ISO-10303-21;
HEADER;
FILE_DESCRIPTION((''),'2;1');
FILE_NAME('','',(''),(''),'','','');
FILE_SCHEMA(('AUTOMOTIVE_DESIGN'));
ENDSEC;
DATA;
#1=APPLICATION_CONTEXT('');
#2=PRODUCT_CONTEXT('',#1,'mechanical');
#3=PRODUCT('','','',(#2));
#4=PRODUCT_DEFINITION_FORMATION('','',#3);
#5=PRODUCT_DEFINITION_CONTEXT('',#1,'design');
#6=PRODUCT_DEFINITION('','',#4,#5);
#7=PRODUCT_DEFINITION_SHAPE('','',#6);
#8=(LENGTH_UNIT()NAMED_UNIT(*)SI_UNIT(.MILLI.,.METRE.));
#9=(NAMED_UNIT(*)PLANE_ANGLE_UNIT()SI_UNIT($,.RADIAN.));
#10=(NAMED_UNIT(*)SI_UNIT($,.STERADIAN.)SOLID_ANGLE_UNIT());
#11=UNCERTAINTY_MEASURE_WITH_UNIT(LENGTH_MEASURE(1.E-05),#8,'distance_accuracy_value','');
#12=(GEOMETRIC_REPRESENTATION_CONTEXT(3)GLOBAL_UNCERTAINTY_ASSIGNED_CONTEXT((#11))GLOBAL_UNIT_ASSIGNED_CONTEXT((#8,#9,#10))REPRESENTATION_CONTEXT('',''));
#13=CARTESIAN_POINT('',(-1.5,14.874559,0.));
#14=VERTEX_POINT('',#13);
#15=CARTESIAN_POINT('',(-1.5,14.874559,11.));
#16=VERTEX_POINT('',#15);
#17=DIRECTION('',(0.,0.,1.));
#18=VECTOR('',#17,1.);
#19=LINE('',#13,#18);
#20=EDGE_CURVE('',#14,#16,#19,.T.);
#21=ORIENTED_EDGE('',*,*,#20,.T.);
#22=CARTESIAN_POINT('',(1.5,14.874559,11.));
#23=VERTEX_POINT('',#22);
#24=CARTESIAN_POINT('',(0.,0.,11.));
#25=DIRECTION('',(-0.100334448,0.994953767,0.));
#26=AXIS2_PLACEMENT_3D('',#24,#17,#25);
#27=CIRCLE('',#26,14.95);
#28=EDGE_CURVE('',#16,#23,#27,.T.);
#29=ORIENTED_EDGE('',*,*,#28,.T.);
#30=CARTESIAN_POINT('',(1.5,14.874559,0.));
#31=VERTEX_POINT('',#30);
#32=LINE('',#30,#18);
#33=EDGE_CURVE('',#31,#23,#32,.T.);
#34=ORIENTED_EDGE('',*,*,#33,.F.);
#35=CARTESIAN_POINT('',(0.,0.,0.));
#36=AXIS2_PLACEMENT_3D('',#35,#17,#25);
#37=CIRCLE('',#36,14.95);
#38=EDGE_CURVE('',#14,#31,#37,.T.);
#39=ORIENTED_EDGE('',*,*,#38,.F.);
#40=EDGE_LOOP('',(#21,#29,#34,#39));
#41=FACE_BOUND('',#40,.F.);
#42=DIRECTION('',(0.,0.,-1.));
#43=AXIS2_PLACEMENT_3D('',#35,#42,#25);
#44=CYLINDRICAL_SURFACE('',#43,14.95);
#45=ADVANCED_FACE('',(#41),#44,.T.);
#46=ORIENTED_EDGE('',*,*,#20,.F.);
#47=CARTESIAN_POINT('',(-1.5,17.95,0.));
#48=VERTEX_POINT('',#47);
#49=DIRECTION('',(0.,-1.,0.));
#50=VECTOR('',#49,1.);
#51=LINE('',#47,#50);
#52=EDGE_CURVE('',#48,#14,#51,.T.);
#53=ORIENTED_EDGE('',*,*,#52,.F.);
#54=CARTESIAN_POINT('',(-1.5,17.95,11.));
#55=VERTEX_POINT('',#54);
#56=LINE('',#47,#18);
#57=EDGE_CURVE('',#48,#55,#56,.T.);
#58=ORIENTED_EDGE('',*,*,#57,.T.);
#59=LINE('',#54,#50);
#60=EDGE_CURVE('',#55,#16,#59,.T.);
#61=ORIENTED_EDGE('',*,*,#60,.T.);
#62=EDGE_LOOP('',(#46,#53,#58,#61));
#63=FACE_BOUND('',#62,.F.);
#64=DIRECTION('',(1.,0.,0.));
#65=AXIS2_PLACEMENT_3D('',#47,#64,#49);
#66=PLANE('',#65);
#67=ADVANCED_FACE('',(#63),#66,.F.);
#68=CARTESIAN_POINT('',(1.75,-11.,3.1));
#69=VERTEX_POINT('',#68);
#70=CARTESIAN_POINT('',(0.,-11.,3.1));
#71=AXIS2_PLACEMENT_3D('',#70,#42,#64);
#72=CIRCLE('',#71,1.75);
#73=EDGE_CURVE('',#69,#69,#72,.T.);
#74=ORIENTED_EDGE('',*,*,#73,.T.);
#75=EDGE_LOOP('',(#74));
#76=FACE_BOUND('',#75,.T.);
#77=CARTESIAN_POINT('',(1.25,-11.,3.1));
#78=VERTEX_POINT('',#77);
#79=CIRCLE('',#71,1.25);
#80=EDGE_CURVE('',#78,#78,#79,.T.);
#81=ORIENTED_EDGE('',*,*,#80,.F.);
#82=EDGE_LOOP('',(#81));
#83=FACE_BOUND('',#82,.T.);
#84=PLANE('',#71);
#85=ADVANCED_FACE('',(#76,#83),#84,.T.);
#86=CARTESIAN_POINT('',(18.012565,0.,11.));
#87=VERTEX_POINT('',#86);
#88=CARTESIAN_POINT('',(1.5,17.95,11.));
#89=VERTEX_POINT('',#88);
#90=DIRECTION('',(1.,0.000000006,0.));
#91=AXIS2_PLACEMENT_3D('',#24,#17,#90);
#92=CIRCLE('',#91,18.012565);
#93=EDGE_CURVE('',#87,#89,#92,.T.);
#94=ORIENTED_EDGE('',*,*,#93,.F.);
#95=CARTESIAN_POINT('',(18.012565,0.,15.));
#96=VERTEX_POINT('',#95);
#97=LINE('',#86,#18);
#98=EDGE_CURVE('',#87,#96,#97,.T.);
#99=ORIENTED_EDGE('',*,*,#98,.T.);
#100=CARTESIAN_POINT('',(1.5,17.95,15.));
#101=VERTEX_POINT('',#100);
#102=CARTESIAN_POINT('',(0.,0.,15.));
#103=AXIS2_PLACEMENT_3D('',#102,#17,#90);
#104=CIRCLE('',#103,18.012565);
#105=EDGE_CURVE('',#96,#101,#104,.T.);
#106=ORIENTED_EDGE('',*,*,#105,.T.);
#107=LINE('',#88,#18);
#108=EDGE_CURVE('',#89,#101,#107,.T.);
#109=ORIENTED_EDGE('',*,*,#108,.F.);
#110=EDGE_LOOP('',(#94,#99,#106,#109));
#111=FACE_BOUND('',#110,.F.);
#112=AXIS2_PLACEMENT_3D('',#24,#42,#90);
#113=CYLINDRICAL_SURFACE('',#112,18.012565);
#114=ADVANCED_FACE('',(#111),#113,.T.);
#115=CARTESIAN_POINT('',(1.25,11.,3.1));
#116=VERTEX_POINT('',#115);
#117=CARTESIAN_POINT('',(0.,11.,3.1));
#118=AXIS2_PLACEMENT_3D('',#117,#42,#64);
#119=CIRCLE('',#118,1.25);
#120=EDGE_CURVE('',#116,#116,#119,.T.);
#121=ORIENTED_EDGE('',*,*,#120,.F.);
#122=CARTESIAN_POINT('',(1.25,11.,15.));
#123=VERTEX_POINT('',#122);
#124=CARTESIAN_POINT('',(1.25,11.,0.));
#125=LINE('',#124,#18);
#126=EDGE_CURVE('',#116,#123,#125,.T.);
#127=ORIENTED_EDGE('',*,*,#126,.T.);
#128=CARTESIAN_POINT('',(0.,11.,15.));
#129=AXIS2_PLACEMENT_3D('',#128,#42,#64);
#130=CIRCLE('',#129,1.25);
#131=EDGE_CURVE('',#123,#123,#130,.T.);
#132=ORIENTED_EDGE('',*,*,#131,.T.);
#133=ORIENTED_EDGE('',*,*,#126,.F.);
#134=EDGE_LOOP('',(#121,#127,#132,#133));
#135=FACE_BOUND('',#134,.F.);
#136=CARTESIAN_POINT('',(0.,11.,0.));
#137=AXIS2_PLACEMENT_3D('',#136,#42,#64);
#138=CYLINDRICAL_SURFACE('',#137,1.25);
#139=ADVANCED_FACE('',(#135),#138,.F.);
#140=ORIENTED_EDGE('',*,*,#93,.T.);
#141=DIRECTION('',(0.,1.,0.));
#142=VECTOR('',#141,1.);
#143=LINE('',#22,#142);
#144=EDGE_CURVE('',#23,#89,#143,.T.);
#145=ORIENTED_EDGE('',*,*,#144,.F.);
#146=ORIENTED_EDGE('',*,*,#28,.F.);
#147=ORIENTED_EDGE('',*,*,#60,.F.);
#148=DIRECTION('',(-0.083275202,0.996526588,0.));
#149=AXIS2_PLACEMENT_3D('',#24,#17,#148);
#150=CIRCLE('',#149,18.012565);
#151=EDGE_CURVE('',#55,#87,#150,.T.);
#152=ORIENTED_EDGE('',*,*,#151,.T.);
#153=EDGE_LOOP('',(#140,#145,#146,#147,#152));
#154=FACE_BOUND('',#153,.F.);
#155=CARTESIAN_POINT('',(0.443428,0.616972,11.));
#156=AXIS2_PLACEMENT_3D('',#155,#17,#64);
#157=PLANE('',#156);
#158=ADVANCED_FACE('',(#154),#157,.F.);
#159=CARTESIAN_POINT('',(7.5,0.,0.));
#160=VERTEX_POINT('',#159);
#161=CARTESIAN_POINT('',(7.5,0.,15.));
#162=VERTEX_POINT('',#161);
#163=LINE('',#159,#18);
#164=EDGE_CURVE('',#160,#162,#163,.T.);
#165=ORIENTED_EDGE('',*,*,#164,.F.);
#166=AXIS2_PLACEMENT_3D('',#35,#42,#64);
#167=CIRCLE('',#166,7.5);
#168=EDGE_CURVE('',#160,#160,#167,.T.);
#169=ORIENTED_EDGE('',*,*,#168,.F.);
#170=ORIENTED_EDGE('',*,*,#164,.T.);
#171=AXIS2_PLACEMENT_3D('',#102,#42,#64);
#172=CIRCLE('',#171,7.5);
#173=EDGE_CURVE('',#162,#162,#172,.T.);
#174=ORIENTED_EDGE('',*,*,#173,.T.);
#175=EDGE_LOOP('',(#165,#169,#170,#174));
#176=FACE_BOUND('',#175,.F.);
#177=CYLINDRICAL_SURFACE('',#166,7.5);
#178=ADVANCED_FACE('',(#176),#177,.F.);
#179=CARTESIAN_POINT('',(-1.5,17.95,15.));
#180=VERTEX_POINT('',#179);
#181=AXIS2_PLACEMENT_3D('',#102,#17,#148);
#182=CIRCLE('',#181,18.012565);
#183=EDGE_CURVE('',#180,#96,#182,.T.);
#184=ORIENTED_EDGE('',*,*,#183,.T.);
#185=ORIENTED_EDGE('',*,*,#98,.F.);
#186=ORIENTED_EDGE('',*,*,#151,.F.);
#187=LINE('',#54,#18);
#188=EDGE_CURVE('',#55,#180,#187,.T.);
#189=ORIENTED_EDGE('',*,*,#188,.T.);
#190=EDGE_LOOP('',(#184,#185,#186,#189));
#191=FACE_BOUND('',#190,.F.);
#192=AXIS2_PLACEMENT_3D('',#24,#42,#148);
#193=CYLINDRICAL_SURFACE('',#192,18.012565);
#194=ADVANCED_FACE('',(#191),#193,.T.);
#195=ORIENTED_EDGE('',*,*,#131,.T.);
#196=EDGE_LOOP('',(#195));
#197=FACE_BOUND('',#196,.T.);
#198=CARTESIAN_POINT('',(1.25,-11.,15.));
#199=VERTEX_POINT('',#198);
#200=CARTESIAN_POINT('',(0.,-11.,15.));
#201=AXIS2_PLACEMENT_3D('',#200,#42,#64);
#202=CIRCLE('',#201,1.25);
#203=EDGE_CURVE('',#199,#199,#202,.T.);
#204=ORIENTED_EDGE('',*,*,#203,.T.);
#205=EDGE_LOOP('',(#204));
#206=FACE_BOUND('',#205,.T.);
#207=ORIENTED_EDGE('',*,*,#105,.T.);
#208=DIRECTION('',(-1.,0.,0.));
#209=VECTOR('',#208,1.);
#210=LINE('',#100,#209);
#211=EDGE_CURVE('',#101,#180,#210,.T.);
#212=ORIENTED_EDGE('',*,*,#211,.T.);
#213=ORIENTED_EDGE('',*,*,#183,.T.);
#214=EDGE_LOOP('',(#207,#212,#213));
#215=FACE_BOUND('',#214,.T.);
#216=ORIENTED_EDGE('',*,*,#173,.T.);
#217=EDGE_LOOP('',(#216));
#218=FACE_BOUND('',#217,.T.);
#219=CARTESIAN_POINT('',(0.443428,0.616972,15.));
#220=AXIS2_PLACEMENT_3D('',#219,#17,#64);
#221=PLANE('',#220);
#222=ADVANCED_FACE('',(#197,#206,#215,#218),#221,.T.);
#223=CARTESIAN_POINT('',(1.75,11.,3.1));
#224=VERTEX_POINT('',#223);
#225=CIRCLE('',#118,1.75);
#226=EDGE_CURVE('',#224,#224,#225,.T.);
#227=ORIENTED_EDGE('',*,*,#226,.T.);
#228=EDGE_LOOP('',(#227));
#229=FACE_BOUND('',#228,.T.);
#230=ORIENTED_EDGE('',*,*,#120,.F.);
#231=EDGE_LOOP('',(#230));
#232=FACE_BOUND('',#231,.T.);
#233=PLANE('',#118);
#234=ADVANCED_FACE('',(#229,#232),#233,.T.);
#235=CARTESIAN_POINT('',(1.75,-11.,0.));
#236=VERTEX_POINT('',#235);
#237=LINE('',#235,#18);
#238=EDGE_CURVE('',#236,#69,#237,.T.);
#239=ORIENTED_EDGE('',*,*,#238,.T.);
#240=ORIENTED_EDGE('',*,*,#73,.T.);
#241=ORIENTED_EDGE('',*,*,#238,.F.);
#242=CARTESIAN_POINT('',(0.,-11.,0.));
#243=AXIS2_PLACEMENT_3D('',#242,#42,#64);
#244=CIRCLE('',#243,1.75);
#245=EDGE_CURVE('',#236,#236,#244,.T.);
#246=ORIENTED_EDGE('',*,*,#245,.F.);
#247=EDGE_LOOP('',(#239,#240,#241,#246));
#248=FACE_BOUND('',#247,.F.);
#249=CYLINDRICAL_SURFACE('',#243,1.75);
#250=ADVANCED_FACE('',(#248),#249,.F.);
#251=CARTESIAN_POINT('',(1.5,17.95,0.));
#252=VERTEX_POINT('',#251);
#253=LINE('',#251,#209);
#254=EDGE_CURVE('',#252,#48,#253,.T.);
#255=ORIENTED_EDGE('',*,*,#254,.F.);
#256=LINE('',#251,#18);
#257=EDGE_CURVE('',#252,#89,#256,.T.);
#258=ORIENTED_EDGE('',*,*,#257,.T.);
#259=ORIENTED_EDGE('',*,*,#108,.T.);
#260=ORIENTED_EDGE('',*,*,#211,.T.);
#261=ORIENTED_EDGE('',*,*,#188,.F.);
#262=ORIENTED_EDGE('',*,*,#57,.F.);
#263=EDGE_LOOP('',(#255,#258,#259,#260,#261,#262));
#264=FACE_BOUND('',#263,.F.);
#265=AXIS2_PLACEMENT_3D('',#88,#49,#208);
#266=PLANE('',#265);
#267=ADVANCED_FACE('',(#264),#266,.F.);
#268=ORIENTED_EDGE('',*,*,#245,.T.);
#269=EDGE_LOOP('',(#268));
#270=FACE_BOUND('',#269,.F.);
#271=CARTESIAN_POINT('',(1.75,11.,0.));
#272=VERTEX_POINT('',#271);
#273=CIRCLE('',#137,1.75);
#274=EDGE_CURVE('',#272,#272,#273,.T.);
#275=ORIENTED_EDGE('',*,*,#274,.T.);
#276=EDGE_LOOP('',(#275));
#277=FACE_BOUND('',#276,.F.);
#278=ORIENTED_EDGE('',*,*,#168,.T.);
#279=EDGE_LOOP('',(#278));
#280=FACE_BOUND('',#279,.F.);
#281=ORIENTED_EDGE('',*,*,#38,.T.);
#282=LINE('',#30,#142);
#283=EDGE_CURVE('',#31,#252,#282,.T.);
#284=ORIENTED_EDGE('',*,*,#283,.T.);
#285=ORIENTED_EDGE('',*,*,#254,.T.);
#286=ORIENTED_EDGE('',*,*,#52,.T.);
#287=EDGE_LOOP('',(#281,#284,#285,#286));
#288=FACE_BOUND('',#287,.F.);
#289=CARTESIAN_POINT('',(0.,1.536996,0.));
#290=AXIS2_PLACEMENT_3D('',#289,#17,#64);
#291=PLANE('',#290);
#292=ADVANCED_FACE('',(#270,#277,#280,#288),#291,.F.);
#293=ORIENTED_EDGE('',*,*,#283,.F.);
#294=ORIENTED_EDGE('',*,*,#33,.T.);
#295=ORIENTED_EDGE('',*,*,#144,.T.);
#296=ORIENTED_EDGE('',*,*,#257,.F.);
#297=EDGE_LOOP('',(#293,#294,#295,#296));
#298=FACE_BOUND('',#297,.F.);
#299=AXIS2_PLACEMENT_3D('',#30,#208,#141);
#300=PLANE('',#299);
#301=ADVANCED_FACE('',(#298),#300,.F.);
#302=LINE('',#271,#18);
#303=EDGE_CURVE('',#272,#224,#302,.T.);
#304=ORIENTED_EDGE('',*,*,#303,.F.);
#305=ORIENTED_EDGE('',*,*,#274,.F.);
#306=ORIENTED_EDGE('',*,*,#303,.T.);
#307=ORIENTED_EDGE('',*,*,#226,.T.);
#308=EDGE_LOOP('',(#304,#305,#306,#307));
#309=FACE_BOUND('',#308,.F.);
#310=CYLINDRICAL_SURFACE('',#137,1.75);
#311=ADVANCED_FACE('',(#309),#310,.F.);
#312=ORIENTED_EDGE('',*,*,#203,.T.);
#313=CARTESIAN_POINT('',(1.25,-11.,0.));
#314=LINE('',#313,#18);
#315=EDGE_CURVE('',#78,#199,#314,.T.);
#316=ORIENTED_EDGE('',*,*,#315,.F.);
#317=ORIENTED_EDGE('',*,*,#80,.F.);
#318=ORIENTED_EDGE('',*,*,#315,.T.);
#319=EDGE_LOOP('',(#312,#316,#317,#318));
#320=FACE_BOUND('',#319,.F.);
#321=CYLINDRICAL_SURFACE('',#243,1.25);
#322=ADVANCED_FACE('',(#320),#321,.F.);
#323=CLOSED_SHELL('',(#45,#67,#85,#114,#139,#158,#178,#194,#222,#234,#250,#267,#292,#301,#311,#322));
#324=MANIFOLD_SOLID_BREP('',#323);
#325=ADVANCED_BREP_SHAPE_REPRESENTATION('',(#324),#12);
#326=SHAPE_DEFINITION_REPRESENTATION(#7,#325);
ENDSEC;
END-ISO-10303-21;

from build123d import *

# Parameters (mm, degrees)
F1_DEPTH = 11
F3_DEPTH = 4
F4_R     = 7.5
F5_DEPTH = 25
F6_R     = 1.25
F7_DEPTH = 25
F6_R_2   = 1.75
F8_DEPTH = 3.1


with BuildPart() as f1:
    # F0 (on Top) → F1 (new body)
    with BuildSketch(Plane.XY):
        with BuildLine():
            Line((-1.5, 17.95), (-1.5, 14.874559))
            ThreePointArc((-1.5, 14.874559), (0, -14.95), (1.5, 14.874559))
            Line((1.5, 14.874559), (1.5, 17.95))
            Line((1.5, 17.95), (-1.5, 17.95))
        make_face()
    extrude(amount=F1_DEPTH)

    # F2 (on face) → F3 (join)
    with BuildSketch(Plane.XY.offset(11)):
        with BuildLine():
            ThreePointArc((-1.5, 17.95), (-12.194951, -13.256533), (18.012565, 0))
            ThreePointArc((18.012565, 0), (13.256533, 12.194951), (1.5, 17.95))
            Line((1.5, 17.95), (1.5, 14.874559))
            ThreePointArc((1.5, 14.874559), (0, -14.95), (-1.5, 14.874559))
            Line((-1.5, 14.874559), (-1.5, 17.95))
        make_face()
        with BuildLine():
            Line((1.5, 14.874559), (1.5, 17.95))
            Line((1.5, 17.95), (-1.5, 17.95))
            Line((-1.5, 17.95), (-1.5, 14.874559))
            ThreePointArc((-1.5, 14.874559), (0, -14.95), (1.5, 14.874559))
        make_face()
    extrude(amount=F3_DEPTH)

    # F4 (on face) → F5 (cut)
    with BuildSketch(Plane(origin=(0, 0, 0), x_dir=(1, 0, 0), z_dir=(0, 0, -1))):
        Circle(F4_R)
    extrude(amount=-F5_DEPTH, mode=Mode.SUBTRACT)

    # F6 (on face) → F7 (cut)
    with BuildSketch(Plane(origin=(0, 0, 0), x_dir=(1, 0, 0), z_dir=(0, 0, -1))):
        with Locations((0, -11)):
            Circle(F6_R)
        with Locations((0, 11)):
            Circle(F6_R)
    extrude(amount=-F7_DEPTH, mode=Mode.SUBTRACT)

    # F6 (on face) → F8 (cut)
    with BuildSketch(Plane(origin=(0, 0, 0), x_dir=(1, 0, 0), z_dir=(0, 0, -1))):
        with Locations((0, 11)):
            Circle(F6_R_2)
        with Locations((0, 11)):
            Circle(F6_R, mode=Mode.SUBTRACT)
        with Locations((0, -11)):
            Circle(F6_R_2)
        with Locations((0, -11)):
            Circle(F6_R, mode=Mode.SUBTRACT)
    extrude(amount=-F8_DEPTH, mode=Mode.SUBTRACT)


solid = f1.part
